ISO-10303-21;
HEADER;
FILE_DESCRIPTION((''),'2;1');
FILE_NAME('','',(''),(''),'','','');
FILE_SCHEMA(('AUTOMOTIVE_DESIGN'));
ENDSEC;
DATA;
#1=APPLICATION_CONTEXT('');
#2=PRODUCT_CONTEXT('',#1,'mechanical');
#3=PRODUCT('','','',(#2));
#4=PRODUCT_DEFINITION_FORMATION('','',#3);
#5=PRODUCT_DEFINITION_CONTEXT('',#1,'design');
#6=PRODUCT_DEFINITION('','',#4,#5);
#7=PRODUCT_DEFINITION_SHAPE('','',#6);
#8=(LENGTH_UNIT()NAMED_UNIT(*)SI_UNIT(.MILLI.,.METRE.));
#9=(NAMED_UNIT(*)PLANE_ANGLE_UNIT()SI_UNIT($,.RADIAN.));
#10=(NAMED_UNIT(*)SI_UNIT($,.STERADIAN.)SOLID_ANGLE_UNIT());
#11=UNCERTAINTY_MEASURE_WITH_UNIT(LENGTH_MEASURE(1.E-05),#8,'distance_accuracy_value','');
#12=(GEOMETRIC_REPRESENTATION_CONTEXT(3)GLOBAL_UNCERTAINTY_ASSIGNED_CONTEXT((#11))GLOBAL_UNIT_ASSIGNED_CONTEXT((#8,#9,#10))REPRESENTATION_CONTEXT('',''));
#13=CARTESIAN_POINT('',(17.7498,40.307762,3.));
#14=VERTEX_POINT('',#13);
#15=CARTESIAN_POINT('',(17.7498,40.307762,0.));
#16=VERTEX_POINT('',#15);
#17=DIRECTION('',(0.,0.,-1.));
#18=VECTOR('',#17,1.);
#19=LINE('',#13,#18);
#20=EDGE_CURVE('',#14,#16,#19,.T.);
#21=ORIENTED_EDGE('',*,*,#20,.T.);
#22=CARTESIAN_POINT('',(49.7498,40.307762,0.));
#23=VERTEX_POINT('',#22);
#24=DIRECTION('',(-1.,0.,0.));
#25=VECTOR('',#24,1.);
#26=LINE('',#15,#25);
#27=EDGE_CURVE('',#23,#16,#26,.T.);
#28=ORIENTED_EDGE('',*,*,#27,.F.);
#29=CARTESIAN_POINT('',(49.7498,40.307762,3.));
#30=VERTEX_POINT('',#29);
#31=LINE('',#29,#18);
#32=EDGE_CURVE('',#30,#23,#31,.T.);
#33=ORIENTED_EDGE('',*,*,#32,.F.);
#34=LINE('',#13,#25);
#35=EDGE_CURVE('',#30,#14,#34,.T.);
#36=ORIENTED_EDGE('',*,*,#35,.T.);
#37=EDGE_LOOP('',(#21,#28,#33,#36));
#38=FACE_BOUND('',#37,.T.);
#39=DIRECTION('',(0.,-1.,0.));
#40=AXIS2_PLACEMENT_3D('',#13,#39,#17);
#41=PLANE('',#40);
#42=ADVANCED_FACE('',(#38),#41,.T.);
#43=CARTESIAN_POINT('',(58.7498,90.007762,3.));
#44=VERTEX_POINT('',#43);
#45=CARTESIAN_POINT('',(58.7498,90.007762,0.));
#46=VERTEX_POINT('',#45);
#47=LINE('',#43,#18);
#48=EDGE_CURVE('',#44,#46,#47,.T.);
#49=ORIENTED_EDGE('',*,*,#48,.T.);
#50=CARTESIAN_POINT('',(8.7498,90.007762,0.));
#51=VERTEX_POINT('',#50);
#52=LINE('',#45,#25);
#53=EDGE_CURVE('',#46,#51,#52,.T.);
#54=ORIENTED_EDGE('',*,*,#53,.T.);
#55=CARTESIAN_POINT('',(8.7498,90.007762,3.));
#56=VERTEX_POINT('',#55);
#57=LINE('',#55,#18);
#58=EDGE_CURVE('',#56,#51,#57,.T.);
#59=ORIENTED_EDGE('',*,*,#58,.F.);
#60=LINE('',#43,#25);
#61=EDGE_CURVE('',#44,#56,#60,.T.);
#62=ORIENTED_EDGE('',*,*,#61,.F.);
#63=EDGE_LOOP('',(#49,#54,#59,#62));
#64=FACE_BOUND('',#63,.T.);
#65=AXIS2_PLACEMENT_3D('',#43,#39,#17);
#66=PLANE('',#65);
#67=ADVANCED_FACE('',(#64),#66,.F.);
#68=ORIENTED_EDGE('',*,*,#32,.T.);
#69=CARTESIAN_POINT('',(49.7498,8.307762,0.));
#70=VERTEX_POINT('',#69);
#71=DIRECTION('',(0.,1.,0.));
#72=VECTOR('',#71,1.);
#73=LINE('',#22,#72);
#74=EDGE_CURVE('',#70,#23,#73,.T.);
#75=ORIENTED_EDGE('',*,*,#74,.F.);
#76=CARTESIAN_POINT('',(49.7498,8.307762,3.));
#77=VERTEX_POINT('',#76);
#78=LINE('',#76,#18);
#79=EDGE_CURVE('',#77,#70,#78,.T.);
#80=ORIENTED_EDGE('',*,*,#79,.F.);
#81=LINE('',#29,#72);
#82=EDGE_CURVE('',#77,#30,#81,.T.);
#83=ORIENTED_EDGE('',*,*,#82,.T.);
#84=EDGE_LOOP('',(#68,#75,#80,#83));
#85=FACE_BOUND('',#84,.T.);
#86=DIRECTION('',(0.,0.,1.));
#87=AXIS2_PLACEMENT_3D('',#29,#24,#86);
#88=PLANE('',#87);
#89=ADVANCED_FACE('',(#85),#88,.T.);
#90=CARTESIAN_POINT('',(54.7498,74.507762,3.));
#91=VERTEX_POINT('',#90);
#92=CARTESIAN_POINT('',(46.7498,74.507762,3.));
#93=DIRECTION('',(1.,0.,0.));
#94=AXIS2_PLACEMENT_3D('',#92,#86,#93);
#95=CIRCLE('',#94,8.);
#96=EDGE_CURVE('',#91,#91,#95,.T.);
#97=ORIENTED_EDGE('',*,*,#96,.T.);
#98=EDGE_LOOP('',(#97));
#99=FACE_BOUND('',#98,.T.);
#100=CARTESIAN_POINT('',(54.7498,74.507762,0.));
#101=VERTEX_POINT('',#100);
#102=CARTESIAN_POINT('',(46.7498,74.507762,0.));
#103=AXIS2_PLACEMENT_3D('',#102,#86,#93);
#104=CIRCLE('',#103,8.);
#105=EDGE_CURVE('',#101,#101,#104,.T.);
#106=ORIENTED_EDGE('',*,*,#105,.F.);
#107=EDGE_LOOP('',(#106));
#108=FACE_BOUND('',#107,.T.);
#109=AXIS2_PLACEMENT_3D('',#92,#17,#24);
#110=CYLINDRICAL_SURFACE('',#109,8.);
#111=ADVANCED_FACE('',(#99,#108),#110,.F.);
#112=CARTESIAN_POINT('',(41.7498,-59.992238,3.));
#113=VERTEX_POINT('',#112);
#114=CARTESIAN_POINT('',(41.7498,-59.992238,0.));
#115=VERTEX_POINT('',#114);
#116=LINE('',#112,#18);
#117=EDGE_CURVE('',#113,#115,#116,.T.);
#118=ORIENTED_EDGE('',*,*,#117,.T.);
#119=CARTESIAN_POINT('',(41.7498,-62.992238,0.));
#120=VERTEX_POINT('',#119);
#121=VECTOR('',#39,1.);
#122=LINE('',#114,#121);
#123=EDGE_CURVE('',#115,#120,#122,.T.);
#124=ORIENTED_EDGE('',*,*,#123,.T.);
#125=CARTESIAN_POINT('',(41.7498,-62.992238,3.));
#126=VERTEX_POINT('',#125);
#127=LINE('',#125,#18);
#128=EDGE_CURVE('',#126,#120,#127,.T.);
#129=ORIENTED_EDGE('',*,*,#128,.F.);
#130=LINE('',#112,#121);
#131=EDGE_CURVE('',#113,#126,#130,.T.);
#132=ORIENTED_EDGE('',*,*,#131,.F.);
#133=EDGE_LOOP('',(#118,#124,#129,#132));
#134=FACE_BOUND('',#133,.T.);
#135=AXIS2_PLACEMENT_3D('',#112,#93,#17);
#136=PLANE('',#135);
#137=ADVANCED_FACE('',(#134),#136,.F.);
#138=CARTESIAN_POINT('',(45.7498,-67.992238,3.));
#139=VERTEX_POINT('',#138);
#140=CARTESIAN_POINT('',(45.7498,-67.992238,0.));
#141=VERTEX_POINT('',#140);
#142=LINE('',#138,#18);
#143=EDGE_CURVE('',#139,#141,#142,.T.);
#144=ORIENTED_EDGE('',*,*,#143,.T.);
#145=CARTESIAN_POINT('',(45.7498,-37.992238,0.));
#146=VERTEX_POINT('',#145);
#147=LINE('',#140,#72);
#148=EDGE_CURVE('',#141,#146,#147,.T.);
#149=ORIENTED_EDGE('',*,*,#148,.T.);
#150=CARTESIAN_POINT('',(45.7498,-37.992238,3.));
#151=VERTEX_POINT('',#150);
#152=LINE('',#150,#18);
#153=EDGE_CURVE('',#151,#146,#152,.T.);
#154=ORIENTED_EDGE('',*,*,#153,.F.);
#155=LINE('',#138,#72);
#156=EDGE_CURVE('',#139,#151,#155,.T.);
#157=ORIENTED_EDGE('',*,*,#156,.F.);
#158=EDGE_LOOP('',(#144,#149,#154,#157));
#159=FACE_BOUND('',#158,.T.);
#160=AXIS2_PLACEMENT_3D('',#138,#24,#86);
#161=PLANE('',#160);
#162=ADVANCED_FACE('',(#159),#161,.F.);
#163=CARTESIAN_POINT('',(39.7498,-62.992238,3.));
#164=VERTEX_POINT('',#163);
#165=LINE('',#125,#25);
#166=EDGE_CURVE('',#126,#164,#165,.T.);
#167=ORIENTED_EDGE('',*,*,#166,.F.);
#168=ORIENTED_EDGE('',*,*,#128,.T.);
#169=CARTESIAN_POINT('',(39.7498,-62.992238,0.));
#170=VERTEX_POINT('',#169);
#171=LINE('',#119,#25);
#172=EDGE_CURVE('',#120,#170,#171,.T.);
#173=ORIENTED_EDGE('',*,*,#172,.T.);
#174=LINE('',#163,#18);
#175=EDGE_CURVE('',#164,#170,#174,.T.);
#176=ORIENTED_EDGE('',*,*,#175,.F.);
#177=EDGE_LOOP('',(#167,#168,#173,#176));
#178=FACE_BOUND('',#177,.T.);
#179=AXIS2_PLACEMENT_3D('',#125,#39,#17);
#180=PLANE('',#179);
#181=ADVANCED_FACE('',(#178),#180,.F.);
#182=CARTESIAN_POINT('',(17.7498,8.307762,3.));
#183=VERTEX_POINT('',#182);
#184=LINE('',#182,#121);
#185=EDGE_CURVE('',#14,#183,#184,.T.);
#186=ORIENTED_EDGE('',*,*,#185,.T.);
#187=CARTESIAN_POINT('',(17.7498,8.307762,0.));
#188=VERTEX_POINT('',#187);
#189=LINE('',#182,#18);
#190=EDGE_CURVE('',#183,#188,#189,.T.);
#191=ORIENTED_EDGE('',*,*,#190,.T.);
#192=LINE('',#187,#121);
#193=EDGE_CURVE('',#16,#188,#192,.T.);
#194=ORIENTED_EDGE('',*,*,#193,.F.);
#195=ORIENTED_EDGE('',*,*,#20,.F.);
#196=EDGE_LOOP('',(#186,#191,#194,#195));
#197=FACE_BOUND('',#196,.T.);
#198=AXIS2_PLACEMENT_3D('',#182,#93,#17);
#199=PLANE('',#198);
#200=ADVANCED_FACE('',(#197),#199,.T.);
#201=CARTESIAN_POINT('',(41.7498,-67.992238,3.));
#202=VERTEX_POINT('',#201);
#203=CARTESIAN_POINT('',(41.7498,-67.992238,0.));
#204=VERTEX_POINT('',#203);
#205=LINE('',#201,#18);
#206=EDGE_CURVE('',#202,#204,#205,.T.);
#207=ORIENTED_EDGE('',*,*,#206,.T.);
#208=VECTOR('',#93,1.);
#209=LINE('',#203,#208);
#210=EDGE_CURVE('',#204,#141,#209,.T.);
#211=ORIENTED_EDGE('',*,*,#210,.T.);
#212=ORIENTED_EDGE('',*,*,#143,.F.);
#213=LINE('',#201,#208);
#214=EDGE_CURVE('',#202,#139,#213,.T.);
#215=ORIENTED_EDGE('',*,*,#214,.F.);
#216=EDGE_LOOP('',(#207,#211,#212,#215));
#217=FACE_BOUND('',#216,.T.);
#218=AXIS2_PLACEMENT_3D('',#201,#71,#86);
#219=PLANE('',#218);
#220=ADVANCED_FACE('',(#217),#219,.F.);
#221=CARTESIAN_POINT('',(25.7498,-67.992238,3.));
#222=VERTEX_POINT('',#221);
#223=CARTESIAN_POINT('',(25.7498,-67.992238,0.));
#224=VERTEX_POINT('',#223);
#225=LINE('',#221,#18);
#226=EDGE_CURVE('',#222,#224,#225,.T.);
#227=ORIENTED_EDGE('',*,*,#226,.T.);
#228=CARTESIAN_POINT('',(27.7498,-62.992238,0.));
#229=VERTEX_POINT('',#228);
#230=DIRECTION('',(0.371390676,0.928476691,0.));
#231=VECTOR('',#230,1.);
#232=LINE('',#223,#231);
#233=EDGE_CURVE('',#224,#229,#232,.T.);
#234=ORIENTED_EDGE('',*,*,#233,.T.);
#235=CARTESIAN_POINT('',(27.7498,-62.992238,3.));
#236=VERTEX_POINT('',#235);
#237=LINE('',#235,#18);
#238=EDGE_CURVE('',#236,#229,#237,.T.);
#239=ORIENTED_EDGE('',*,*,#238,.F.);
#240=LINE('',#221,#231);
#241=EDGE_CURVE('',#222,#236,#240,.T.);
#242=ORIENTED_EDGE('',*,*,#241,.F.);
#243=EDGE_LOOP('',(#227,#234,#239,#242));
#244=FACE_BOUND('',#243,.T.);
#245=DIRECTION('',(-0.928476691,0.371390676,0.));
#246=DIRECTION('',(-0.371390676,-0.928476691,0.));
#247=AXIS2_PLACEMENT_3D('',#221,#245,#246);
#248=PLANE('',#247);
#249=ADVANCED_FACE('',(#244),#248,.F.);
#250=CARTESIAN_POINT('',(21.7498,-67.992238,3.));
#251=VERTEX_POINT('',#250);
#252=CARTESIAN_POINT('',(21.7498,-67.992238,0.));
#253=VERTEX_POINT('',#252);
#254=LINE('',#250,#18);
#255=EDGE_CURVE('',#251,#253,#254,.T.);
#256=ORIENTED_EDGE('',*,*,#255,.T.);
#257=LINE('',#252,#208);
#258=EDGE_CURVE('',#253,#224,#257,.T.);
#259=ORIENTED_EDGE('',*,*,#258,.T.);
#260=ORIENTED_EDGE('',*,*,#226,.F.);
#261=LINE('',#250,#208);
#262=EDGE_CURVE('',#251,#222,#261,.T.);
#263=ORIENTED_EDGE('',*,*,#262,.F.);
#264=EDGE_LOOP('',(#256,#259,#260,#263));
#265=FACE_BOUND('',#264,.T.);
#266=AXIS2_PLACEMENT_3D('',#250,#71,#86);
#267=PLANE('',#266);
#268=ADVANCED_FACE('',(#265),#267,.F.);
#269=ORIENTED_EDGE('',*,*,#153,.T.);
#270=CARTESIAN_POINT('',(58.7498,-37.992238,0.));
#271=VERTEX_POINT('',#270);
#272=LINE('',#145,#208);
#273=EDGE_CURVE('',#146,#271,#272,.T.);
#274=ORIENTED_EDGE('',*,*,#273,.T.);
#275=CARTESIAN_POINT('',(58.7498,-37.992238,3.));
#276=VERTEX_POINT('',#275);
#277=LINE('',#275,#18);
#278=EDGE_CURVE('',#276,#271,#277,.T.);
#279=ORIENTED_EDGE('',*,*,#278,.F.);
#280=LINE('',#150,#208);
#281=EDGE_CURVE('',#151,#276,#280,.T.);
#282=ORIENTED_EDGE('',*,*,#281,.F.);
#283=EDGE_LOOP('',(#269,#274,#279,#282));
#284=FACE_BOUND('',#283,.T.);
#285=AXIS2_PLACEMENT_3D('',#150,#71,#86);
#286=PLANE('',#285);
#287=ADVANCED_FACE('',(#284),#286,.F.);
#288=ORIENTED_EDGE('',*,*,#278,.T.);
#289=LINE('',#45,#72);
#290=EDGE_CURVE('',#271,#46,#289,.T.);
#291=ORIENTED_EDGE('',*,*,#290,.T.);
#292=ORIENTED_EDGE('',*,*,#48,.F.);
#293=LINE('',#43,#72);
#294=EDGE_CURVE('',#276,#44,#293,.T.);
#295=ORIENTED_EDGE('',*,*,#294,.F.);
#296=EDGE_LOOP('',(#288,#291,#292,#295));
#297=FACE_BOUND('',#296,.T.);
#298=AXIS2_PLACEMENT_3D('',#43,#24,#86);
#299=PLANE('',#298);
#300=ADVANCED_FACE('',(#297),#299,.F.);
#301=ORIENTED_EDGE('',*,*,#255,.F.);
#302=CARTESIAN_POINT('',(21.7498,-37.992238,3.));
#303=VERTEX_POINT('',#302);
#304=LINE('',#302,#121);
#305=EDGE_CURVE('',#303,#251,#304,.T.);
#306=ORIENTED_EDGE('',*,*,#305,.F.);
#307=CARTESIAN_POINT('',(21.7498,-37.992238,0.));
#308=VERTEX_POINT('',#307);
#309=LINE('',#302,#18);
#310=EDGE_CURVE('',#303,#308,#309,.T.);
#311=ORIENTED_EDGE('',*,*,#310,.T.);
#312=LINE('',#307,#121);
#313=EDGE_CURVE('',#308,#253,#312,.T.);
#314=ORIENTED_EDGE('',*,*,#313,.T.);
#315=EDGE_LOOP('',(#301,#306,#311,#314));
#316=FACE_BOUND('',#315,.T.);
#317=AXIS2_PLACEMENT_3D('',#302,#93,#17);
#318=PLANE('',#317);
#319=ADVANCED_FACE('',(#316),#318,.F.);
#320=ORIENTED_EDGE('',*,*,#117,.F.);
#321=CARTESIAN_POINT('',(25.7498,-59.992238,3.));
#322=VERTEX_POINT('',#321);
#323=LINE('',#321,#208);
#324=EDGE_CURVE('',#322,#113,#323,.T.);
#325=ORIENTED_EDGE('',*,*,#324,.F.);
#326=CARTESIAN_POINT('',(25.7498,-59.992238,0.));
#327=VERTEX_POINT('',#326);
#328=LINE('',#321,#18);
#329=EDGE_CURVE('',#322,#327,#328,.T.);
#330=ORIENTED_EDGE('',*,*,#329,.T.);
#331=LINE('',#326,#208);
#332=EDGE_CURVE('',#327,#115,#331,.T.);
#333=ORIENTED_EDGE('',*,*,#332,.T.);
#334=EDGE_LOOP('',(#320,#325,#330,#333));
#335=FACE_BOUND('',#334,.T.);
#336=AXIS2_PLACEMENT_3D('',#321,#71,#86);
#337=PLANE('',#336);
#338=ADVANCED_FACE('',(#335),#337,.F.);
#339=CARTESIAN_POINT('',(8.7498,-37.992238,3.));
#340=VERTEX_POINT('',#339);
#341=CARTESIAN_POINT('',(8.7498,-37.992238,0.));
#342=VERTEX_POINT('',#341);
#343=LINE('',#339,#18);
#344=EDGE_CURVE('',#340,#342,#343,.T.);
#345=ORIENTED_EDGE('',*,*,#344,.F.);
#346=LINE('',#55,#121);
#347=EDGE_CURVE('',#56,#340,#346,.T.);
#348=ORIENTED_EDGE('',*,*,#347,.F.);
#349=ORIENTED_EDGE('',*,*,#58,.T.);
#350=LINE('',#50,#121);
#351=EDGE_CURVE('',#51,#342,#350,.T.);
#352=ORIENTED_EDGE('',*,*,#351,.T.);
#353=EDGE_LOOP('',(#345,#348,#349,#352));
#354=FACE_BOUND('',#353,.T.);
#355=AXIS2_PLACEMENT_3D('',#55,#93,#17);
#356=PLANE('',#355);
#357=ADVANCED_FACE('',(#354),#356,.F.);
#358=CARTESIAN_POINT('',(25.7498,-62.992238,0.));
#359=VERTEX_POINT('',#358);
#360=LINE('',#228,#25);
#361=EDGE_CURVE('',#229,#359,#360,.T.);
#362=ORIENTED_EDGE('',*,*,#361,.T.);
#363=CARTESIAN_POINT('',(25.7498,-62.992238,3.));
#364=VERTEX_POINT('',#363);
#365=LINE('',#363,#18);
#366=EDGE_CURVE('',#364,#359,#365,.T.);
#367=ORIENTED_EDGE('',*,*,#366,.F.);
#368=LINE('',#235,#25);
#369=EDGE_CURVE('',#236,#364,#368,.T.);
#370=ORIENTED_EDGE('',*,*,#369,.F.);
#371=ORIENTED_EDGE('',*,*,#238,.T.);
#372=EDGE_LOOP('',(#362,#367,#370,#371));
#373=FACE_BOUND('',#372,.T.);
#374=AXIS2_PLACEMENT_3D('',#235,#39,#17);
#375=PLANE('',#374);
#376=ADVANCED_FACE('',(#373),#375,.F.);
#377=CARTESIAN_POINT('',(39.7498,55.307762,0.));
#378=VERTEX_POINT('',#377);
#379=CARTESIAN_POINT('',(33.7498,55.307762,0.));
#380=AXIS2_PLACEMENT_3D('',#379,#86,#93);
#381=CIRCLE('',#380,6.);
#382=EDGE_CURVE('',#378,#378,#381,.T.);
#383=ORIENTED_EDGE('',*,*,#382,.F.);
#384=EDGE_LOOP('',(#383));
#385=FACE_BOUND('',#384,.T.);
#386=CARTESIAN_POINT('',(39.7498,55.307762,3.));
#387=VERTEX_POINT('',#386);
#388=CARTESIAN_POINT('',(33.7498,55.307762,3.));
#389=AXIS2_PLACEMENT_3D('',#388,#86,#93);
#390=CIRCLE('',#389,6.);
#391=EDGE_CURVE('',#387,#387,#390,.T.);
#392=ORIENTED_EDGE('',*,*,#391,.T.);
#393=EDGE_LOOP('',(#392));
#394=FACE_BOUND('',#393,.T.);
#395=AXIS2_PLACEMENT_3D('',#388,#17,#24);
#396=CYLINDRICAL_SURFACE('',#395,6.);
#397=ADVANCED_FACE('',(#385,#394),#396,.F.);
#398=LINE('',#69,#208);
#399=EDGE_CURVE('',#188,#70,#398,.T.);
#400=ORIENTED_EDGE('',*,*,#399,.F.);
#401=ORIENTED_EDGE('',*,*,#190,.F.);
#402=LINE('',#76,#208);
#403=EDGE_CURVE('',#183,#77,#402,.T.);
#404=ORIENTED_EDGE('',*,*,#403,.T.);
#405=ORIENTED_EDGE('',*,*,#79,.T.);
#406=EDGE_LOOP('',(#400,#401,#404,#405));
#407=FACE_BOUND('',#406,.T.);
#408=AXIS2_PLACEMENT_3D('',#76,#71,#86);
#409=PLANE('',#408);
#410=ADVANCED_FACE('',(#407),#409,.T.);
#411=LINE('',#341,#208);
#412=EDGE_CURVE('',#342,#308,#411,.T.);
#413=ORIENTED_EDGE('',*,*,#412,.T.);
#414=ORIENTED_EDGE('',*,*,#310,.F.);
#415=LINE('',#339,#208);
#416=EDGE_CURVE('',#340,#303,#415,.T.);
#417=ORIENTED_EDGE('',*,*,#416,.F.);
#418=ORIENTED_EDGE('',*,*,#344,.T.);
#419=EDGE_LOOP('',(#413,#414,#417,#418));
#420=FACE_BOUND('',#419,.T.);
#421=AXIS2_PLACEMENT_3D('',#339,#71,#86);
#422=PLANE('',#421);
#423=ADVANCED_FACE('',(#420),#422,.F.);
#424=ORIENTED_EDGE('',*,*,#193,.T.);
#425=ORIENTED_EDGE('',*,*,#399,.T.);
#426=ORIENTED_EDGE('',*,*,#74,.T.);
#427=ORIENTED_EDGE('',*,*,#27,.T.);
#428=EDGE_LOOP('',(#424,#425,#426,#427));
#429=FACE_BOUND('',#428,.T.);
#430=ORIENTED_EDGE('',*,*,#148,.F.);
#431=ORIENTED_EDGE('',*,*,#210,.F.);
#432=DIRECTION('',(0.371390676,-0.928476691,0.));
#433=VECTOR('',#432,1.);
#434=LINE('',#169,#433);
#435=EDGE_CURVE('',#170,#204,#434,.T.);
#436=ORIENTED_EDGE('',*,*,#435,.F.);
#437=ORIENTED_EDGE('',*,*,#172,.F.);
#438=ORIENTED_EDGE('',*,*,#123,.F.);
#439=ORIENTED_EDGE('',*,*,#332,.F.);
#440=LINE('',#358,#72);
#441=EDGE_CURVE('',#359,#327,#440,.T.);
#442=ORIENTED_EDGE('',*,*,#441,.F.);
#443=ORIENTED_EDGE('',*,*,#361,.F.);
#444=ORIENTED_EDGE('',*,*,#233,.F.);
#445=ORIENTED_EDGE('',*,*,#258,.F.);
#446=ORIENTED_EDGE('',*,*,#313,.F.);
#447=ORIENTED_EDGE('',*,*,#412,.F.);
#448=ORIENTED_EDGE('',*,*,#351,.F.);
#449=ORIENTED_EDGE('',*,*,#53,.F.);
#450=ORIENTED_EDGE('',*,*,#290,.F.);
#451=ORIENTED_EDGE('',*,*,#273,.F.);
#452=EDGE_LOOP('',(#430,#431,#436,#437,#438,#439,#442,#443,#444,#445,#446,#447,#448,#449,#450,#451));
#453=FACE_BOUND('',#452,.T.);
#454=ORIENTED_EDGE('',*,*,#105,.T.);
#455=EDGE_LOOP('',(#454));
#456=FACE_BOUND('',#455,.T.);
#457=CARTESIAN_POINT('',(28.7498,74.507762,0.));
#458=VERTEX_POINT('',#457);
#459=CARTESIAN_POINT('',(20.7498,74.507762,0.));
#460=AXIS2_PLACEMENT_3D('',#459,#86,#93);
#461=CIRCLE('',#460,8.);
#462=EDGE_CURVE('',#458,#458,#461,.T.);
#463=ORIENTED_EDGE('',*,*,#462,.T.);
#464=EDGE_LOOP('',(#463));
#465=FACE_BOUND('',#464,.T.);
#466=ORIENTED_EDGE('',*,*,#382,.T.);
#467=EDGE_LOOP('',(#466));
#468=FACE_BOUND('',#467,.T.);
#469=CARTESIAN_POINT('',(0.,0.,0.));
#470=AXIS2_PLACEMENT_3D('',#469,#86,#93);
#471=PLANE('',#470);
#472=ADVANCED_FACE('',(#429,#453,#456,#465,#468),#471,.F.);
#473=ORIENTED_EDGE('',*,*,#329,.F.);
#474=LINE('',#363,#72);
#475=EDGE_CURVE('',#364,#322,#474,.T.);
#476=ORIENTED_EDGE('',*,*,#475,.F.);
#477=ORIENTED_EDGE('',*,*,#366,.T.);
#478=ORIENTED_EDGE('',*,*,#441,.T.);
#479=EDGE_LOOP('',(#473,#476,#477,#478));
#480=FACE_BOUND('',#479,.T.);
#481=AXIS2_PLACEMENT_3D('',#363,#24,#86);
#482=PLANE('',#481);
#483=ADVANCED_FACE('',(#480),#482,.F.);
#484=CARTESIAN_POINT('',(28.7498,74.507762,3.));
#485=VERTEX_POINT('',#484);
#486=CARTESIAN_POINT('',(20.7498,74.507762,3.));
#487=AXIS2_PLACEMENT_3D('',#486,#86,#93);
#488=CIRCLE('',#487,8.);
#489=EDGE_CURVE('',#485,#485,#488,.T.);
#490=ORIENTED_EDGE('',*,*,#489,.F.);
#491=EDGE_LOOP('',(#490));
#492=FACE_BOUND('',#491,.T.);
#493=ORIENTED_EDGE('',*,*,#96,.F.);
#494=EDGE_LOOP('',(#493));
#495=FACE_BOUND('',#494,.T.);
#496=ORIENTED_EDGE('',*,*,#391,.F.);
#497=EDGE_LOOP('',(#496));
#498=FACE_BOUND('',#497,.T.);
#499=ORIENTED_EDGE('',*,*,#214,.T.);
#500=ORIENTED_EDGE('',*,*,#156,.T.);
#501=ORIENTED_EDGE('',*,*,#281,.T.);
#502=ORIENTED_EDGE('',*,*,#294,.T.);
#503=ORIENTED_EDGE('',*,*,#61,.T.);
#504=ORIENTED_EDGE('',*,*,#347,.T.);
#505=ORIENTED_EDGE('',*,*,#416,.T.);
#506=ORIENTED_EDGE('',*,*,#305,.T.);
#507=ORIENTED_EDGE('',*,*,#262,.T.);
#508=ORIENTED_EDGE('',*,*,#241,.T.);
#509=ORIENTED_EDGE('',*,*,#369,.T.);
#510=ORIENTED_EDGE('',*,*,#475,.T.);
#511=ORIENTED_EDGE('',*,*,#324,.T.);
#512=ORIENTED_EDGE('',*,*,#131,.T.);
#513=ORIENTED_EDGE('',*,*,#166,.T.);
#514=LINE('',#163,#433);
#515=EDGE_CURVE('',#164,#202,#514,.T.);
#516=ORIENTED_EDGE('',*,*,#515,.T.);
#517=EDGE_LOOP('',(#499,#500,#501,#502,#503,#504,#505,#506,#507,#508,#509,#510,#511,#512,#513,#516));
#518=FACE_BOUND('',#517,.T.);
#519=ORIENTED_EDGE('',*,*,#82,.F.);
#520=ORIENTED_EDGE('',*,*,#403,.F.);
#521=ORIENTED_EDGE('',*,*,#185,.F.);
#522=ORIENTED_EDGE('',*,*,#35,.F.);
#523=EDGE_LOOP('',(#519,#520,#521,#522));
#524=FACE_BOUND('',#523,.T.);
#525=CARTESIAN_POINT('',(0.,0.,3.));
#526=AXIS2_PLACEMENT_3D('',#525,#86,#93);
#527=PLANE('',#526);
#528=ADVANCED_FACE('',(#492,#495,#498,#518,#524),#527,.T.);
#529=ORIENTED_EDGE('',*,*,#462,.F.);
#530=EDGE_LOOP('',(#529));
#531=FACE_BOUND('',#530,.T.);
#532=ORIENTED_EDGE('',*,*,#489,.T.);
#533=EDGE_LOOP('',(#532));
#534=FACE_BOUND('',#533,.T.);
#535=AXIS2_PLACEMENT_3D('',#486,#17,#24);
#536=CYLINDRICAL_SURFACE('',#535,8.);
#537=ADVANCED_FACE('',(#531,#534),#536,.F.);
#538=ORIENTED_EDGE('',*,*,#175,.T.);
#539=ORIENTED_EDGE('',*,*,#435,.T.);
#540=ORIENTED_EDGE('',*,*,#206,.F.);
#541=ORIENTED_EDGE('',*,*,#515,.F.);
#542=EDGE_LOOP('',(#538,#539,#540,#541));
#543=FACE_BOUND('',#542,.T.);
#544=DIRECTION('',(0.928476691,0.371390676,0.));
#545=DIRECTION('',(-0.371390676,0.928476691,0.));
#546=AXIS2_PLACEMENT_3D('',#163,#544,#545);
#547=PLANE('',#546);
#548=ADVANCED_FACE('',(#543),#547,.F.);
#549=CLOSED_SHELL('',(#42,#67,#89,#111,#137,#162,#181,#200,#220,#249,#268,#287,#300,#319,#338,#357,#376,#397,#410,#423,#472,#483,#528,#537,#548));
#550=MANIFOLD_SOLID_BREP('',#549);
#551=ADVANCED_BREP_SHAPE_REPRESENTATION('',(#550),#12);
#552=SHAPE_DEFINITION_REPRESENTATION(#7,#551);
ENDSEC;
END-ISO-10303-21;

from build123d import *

# Parameters (mm, degrees)
MODEL_R                 = 6
MODEL_R_2               = 8
MODEL_W                 = 32
MODEL_H                 = 32
SALIENTE_EXTRUIR1_DEPTH = 3


with BuildPart() as part:
    # Model → Saliente-Extruir1 (new body)
    with BuildSketch(Plane.XY):
        Polygon((58.7498, 90.00776192), (58.7498, -37.99223808), (45.7498, -37.99223808), (45.7498, -67.99223808), (41.7498, -67.99223808), (39.7498, -62.99223808), (41.7498, -62.99223808), (41.7498, -59.99223808), (25.7498, -59.99223808), (25.7498, -62.99223808), (27.7498, -62.99223808), (25.7498, -67.99223808), (21.7498, -67.99223808), (21.7498, -37.99223808), (8.7498, -37.99223808), (8.7498, 90.00776192), align=None)
        with Locations((33.7498, 55.30776192)):
            Circle(MODEL_R, mode=Mode.SUBTRACT)
        with Locations((20.7498, 74.50776192)):
            Circle(MODEL_R_2, mode=Mode.SUBTRACT)
        with Locations((46.7498, 74.50776192)):
            Circle(MODEL_R_2, mode=Mode.SUBTRACT)
        with Locations((33.7498, 24.30776192)):
            Rectangle(MODEL_W, MODEL_H, mode=Mode.SUBTRACT)
    extrude(amount=SALIENTE_EXTRUIR1_DEPTH)


solid = part.part
